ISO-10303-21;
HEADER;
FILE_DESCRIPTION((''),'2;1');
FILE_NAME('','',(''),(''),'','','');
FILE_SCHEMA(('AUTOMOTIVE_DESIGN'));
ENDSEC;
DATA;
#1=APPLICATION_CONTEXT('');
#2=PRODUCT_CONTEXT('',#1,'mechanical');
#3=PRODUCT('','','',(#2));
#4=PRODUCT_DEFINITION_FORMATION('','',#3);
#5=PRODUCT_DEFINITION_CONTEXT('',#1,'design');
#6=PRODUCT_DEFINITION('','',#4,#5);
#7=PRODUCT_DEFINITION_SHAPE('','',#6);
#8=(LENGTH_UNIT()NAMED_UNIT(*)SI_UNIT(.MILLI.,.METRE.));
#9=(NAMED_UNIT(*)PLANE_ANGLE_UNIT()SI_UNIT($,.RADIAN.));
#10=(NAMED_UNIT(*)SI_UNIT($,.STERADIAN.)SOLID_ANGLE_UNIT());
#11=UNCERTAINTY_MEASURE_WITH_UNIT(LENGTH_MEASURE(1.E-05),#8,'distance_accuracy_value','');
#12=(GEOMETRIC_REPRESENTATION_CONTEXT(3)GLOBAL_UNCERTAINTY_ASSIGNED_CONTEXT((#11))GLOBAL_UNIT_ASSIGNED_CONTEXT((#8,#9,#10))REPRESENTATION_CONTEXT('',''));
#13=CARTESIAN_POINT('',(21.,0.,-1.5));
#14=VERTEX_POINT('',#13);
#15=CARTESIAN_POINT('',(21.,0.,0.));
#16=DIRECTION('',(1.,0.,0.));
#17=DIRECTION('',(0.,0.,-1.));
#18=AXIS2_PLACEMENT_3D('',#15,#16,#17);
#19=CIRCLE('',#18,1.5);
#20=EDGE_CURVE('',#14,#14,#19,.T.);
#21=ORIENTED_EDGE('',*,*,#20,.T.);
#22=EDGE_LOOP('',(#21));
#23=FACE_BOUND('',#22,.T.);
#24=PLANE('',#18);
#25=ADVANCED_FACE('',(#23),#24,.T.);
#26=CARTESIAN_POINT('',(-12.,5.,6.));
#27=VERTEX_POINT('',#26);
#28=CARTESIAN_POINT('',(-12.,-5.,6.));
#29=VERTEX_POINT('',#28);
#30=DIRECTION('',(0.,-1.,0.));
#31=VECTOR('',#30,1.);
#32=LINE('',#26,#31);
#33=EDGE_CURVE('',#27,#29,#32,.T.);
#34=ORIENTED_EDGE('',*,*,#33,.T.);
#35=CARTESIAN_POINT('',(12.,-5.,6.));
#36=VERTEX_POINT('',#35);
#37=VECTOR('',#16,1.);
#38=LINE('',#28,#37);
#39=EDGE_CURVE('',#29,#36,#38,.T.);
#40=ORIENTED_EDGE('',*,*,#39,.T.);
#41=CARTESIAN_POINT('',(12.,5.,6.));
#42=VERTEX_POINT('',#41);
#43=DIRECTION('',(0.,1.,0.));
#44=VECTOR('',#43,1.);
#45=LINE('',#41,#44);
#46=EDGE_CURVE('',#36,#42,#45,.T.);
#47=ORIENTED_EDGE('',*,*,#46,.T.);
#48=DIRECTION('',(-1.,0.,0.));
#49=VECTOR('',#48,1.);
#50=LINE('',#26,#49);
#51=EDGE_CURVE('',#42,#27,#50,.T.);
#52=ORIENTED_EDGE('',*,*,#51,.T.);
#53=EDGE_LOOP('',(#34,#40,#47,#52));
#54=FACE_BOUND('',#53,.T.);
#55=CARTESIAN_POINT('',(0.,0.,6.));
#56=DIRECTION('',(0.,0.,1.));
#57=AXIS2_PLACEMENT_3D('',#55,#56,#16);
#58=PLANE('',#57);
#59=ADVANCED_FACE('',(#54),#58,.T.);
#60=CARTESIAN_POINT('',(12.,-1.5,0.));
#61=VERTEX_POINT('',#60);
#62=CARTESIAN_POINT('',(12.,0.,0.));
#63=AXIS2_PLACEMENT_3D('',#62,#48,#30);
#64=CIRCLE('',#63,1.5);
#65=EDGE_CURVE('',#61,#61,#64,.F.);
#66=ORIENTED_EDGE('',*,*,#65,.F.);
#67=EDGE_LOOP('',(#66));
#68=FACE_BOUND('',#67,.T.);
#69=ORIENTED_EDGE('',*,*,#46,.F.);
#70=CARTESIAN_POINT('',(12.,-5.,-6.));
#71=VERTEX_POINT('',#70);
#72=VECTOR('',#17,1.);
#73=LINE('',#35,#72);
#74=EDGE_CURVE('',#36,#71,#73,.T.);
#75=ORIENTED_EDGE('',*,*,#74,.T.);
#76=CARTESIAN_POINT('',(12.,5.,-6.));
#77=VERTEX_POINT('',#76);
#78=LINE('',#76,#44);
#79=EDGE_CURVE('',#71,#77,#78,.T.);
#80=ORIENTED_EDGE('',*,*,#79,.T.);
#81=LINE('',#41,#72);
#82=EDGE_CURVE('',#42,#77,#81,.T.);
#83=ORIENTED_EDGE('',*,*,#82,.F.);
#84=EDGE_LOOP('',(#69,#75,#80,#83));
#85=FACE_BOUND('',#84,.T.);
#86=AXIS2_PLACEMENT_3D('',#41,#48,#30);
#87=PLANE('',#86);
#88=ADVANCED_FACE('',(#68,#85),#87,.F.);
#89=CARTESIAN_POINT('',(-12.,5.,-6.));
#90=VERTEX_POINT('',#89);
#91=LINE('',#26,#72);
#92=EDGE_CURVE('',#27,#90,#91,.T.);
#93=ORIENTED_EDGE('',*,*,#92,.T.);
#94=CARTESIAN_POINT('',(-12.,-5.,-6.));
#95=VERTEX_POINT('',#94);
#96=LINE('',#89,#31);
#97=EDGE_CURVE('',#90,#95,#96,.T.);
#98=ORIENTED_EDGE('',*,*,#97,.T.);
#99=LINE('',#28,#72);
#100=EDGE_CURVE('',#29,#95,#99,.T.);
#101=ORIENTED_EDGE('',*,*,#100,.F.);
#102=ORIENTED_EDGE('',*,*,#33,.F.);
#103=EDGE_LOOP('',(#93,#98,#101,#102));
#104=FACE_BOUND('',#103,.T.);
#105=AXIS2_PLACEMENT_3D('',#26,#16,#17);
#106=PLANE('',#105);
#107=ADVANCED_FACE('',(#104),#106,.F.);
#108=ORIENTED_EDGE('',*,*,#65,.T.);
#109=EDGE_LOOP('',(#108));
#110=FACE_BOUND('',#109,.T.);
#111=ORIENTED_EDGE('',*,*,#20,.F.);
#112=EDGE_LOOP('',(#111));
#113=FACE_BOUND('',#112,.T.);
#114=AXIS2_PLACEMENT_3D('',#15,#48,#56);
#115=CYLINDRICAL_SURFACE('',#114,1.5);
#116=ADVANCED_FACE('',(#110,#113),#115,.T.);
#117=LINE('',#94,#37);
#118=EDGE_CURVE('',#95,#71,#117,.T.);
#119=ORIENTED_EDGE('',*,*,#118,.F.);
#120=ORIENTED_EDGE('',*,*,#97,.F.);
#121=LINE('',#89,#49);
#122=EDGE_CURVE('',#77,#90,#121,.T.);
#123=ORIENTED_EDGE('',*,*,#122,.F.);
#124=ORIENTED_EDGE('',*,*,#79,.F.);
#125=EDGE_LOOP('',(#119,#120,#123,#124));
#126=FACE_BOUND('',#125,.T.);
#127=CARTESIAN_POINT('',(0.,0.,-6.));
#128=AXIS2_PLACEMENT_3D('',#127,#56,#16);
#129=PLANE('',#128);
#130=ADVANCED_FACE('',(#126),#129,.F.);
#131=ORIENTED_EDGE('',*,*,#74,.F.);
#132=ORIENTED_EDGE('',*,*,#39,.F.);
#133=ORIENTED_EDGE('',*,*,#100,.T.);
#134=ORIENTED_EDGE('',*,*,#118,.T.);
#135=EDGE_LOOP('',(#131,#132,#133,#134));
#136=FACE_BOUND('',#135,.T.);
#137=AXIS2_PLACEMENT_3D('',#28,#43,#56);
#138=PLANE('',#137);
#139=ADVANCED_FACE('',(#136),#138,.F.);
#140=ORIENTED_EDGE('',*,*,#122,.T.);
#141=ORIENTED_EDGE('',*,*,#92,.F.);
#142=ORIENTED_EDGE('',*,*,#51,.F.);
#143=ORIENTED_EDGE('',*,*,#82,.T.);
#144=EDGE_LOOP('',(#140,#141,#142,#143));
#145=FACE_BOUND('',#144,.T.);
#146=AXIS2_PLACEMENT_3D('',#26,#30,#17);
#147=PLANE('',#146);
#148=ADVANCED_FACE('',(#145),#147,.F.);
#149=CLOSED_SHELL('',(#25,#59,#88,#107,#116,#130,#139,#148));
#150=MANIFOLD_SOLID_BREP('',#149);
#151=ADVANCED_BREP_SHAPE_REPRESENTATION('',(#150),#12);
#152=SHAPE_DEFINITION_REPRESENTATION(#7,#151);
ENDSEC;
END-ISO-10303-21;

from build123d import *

# Parameters (mm, degrees)
SKETCH1_W           = 24
SKETCH1_H           = 10
BOSS_EXTRUDE1_DEPTH = 6
SKETCH2_R           = 1.5
BOSS_EXTRUDE2_DEPTH = 21


with BuildPart() as part:
    # Sketch1 → Boss-Extrude1 (new body, symmetric)
    with BuildSketch(Plane.XY):
        Rectangle(SKETCH1_W, SKETCH1_H)
    extrude(amount=BOSS_EXTRUDE1_DEPTH, both=True)

    # Sketch2 → Boss-Extrude2 (add)
    with BuildSketch(Plane(origin=(0, 0, 0), x_dir=(0, 0, -1), z_dir=(1, 0, 0))):
        Circle(SKETCH2_R)
    extrude(amount=BOSS_EXTRUDE2_DEPTH)


solid = part.part
